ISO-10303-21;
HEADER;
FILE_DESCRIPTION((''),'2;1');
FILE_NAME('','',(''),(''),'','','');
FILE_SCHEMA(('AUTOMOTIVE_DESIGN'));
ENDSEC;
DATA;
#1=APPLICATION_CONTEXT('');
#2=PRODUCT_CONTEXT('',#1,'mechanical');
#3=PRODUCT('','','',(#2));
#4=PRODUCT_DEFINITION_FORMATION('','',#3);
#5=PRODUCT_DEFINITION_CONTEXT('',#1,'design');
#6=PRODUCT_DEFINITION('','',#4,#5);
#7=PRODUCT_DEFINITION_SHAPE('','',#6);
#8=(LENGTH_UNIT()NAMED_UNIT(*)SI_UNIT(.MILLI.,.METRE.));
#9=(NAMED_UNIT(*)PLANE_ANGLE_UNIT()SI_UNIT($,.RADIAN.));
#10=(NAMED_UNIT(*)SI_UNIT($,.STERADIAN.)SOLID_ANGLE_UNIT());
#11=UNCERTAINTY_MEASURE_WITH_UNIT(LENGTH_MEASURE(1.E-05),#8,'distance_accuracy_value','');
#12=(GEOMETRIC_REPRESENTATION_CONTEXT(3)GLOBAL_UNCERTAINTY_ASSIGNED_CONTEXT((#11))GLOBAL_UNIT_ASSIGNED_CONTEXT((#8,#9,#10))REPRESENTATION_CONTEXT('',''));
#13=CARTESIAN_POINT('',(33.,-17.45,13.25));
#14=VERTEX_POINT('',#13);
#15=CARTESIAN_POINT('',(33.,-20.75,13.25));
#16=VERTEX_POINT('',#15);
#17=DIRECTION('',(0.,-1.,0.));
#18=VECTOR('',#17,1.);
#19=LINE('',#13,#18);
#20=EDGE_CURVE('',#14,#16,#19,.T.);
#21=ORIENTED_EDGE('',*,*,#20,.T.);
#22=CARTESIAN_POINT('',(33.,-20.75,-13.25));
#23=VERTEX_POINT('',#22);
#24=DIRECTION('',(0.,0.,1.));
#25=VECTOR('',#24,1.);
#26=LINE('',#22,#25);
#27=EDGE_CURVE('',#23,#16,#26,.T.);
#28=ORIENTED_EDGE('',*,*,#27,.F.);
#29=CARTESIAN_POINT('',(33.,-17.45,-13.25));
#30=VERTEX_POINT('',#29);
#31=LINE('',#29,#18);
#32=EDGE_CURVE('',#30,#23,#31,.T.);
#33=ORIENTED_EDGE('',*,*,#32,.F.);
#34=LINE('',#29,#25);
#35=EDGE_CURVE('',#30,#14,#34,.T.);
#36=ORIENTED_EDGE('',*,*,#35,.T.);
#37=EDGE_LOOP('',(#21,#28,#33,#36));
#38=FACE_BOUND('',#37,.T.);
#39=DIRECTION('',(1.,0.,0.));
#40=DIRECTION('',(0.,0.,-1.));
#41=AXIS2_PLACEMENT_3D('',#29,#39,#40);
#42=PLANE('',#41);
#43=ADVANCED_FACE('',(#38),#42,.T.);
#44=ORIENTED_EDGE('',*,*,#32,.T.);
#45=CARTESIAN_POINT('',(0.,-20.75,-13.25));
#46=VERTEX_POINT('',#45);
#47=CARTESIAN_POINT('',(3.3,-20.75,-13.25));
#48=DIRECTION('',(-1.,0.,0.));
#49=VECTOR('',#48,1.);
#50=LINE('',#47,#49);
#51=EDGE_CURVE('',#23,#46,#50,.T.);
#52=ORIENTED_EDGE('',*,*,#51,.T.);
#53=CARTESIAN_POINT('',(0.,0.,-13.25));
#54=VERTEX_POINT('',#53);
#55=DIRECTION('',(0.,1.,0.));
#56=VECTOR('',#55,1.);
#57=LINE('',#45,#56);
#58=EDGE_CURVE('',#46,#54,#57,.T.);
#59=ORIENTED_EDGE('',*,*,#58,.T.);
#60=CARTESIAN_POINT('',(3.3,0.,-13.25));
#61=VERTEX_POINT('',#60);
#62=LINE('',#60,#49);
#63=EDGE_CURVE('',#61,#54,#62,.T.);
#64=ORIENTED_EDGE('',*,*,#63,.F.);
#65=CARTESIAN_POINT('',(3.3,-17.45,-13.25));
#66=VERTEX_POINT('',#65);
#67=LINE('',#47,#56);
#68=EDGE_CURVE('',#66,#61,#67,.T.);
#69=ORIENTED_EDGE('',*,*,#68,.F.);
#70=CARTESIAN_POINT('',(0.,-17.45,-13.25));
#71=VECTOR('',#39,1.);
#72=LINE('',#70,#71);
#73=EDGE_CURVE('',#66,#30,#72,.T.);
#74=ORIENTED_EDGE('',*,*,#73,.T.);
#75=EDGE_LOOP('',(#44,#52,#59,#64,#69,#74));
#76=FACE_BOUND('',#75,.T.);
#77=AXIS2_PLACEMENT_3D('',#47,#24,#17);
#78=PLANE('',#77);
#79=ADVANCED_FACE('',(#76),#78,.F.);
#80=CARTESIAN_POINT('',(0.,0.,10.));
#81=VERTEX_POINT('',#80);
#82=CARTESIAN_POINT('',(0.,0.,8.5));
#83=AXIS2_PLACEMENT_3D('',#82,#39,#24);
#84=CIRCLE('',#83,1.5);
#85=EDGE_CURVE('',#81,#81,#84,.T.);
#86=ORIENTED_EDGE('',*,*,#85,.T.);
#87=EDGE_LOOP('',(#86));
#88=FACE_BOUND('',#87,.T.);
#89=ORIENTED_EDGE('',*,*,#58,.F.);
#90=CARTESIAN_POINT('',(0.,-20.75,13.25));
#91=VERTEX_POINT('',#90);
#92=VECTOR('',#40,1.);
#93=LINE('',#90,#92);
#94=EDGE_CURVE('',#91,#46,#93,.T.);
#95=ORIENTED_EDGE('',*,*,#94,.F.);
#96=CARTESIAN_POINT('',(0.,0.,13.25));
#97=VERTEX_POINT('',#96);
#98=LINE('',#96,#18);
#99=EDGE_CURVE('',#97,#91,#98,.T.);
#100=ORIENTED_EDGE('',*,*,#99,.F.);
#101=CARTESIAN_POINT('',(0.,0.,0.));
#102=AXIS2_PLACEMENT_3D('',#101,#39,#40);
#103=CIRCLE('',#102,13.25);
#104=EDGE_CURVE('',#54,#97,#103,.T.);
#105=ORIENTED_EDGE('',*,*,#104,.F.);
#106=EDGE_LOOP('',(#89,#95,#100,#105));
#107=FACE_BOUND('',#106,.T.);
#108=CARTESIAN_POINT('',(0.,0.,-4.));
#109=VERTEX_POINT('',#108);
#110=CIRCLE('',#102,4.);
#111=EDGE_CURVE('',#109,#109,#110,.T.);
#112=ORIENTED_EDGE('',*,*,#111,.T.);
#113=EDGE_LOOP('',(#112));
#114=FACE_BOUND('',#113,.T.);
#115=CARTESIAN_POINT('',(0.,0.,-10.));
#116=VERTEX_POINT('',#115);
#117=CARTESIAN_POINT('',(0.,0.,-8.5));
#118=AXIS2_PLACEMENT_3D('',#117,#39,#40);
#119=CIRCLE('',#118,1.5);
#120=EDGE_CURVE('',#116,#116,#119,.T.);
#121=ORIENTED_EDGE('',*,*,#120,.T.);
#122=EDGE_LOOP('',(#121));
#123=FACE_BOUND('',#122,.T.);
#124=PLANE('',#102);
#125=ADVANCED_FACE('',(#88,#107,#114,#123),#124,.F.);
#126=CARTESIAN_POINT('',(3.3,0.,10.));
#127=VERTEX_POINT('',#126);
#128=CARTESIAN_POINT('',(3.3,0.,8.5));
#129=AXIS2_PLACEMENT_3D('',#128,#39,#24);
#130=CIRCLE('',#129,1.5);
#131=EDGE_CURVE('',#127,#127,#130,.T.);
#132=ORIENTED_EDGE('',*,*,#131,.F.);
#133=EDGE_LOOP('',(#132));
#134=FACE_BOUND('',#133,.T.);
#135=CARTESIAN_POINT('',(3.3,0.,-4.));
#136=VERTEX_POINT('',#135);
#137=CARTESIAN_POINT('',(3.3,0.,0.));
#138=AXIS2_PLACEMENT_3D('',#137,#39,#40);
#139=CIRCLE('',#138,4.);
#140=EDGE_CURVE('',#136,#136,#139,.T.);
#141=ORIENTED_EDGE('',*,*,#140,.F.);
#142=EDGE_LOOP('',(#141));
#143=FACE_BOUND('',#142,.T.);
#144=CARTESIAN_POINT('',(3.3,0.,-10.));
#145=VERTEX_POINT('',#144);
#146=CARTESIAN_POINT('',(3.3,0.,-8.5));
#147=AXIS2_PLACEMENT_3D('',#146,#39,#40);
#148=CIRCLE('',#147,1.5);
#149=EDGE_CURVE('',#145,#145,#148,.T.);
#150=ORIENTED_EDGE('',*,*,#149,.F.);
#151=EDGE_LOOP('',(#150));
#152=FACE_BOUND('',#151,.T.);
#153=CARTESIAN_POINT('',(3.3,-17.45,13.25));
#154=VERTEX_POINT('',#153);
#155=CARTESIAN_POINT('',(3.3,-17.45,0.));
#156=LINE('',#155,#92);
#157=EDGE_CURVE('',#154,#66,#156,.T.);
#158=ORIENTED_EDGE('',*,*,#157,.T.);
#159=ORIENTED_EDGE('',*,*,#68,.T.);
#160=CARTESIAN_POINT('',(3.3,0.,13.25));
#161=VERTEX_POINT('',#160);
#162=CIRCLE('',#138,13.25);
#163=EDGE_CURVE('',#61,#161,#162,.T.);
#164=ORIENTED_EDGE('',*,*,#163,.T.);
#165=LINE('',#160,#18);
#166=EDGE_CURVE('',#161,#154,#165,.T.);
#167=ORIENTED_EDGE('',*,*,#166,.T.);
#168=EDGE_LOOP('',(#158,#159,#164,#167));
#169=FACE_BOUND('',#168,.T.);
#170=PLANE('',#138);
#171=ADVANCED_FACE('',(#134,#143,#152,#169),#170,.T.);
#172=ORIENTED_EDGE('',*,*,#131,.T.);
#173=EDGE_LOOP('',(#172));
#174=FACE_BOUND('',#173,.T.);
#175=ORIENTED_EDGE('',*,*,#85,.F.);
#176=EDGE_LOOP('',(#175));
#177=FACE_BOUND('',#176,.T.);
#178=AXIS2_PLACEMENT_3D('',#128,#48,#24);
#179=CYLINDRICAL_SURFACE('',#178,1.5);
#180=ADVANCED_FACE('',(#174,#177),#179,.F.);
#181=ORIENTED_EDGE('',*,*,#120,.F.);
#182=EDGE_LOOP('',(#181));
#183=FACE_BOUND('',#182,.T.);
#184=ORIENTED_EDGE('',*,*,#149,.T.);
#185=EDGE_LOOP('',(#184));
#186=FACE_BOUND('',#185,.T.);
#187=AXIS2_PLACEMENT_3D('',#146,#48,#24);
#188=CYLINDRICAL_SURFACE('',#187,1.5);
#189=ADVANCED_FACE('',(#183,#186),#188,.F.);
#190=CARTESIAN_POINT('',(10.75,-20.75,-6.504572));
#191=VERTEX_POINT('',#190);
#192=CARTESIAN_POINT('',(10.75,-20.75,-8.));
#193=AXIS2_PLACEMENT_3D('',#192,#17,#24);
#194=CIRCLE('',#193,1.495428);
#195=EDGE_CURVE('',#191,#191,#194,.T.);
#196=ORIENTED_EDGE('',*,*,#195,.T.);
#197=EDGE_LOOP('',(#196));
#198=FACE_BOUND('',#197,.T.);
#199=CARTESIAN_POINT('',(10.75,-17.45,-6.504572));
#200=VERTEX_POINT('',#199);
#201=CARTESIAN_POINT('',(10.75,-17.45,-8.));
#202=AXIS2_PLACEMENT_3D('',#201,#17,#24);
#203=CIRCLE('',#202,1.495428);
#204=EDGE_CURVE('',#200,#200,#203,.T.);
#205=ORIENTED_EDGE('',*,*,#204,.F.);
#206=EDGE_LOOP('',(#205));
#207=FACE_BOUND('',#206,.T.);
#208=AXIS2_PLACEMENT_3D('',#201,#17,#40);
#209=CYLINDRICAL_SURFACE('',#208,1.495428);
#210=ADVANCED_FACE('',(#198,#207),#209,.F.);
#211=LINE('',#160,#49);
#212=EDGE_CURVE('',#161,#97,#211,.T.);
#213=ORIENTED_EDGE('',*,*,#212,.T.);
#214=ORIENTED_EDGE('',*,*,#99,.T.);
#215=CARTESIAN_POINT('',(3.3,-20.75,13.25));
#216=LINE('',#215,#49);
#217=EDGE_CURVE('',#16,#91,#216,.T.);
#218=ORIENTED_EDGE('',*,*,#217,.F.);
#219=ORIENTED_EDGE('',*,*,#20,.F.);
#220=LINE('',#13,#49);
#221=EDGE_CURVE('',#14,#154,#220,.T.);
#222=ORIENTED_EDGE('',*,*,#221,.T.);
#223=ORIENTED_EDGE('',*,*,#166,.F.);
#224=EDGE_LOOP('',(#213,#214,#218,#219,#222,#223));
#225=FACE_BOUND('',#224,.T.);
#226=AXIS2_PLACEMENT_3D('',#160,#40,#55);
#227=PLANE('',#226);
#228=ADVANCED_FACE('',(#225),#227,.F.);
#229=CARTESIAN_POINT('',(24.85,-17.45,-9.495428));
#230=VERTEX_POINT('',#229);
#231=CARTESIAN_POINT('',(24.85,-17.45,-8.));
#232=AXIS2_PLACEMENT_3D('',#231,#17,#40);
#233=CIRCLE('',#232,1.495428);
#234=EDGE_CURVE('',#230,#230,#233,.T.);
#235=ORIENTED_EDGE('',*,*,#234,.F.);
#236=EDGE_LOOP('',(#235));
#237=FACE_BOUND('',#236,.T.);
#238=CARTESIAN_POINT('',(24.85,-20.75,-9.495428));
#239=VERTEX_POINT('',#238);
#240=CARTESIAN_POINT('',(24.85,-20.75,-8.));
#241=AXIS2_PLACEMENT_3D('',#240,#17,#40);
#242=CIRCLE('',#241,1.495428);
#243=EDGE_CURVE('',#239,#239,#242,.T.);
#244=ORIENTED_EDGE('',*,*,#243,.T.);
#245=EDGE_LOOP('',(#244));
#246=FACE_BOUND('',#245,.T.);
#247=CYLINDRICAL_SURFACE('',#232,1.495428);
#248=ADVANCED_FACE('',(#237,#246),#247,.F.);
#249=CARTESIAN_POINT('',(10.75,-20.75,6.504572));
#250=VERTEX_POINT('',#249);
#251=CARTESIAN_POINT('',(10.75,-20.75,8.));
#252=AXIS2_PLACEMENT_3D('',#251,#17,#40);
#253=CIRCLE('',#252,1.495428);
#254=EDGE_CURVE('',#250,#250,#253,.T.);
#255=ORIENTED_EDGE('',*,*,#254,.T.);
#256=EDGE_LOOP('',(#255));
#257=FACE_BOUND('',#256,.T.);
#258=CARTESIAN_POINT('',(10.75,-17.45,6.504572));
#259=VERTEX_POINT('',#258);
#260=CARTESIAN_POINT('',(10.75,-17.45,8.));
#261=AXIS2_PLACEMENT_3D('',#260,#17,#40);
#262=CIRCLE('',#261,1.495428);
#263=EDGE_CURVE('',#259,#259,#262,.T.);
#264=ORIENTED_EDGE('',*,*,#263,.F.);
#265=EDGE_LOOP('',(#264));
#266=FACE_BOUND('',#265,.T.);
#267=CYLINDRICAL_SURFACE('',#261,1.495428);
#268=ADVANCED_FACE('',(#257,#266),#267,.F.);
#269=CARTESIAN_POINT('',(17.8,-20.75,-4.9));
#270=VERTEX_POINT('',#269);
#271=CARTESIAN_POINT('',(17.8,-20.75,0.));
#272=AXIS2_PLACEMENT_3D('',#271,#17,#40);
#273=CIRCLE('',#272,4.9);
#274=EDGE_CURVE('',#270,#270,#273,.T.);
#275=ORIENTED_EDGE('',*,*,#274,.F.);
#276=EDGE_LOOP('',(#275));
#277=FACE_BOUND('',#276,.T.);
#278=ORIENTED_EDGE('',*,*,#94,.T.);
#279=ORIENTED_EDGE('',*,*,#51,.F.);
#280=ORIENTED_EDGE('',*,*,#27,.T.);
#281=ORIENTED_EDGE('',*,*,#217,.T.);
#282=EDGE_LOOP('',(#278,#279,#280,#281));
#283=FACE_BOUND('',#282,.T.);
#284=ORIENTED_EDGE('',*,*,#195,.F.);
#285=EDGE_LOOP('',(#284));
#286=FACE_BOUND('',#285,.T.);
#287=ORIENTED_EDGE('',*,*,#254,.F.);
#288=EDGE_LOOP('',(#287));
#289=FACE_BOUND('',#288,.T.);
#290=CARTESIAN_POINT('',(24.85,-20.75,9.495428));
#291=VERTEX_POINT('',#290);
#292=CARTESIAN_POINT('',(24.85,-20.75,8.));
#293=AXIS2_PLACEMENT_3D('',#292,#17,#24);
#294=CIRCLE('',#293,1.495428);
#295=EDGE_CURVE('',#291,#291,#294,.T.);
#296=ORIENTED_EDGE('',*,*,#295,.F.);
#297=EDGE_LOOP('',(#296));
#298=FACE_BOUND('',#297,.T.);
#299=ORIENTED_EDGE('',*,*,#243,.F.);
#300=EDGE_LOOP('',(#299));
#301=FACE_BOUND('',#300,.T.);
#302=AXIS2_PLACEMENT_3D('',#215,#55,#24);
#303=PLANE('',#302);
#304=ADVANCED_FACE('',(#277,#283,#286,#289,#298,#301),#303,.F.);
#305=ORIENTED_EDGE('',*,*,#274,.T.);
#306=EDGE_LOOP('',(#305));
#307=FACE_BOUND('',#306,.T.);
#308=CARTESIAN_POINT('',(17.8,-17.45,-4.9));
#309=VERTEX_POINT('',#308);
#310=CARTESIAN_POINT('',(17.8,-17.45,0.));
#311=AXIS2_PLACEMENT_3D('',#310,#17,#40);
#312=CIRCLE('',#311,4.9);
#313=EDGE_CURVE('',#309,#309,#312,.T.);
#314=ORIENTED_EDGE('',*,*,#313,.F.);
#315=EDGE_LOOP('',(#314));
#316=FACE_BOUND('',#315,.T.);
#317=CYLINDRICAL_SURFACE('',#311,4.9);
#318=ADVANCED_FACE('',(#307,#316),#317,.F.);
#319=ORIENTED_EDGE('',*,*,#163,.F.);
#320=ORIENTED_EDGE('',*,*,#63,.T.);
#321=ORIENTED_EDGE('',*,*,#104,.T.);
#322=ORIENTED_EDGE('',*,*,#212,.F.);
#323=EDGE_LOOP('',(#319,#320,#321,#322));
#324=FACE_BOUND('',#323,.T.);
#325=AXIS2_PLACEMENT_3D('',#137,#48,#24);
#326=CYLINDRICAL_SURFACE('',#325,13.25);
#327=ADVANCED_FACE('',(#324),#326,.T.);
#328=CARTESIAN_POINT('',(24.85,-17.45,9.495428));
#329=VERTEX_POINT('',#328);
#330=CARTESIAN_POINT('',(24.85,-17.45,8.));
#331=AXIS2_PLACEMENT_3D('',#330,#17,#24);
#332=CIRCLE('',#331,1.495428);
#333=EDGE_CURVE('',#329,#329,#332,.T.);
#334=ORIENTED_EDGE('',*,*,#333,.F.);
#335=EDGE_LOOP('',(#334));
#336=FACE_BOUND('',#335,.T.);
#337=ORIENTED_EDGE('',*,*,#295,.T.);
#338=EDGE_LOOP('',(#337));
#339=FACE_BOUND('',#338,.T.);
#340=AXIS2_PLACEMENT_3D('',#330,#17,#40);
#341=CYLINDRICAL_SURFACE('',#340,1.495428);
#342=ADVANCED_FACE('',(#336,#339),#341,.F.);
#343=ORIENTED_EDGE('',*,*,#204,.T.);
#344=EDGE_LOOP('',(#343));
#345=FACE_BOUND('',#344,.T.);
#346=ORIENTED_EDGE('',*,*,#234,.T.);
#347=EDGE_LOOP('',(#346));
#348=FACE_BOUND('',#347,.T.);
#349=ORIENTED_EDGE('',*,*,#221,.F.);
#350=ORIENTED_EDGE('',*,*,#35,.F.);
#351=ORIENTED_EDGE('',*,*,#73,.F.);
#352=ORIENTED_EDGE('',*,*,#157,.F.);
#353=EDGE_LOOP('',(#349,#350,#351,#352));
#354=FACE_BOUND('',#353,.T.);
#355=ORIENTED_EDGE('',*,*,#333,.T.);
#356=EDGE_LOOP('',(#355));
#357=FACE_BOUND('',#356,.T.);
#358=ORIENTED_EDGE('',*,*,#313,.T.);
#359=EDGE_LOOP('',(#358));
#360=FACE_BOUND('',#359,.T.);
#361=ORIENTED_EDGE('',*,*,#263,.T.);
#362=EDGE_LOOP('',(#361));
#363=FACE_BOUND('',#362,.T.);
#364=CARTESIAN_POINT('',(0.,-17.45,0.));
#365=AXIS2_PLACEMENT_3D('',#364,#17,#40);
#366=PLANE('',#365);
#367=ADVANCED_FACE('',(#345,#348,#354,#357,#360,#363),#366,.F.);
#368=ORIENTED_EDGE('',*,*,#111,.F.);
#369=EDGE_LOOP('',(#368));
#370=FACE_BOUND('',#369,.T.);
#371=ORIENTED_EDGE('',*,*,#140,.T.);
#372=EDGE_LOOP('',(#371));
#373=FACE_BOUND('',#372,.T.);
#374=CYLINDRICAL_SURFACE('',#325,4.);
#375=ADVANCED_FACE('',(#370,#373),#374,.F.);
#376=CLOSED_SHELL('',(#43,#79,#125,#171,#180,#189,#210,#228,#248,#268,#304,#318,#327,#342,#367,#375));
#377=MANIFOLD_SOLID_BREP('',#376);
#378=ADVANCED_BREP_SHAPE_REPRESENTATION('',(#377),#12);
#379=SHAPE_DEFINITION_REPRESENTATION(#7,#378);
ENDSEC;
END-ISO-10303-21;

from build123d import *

# Parameters (mm, degrees)
SKETCH_1_R      = 4
SKETCH_1_R_2    = 1.5
EXTRUDE_1_DEPTH = 3.3
SKETCH_2_W      = 33
SKETCH_2_H      = 26.5
SKETCH_2_R      = 4.9
SKETCH_2_R_2    = 1.495427909
EXTRUDE_2_DEPTH = 3.3


with BuildPart() as part:
    # 草图1 → 凸台-拉伸1 (new body)
    with BuildSketch(Plane(origin=(0, 0, 0), x_dir=(0, 0, -1), z_dir=(1, 0, 0))):
        with BuildLine():
            Line((-13.25, 0), (-13.25, -20.75))
            Line((-13.25, -20.75), (13.25, -20.75))
            Line((13.25, -20.75), (13.25, 0))
            ThreePointArc((13.25, 0), (0, 13.25), (-13.25, 0))
        make_face()
        Circle(SKETCH_1_R, mode=Mode.SUBTRACT)
        with Locations((8.5, 0)):
            Circle(SKETCH_1_R_2, mode=Mode.SUBTRACT)
        with Locations(Location((-8.5, 0, 0), (0, 0, 180))):
            Circle(SKETCH_1_R_2, mode=Mode.SUBTRACT)
    extrude(amount=EXTRUDE_1_DEPTH)

    # 草图2 → 凸台-拉伸2 (add)
    with BuildSketch(Plane.XZ.offset(20.75)):
        with Locations((16.5, 0)):
            Rectangle(SKETCH_2_W, SKETCH_2_H)
        with Locations(Location((17.8, 0, 0), (0, 0, 270))):
            Circle(SKETCH_2_R, mode=Mode.SUBTRACT)
        with Locations(Location((24.85, -8, 0), (0, 0, 270))):
            Circle(SKETCH_2_R_2, mode=Mode.SUBTRACT)
        with Locations(Location((24.85, 8, 0), (0, 0, 90))):
            Circle(SKETCH_2_R_2, mode=Mode.SUBTRACT)
        with Locations(Location((10.75, 8, 0), (0, 0, 270))):
            Circle(SKETCH_2_R_2, mode=Mode.SUBTRACT)
        with Locations(Location((10.75, -8, 0), (0, 0, 90))):
            Circle(SKETCH_2_R_2, mode=Mode.SUBTRACT)
    extrude(amount=-EXTRUDE_2_DEPTH)


solid = part.part
